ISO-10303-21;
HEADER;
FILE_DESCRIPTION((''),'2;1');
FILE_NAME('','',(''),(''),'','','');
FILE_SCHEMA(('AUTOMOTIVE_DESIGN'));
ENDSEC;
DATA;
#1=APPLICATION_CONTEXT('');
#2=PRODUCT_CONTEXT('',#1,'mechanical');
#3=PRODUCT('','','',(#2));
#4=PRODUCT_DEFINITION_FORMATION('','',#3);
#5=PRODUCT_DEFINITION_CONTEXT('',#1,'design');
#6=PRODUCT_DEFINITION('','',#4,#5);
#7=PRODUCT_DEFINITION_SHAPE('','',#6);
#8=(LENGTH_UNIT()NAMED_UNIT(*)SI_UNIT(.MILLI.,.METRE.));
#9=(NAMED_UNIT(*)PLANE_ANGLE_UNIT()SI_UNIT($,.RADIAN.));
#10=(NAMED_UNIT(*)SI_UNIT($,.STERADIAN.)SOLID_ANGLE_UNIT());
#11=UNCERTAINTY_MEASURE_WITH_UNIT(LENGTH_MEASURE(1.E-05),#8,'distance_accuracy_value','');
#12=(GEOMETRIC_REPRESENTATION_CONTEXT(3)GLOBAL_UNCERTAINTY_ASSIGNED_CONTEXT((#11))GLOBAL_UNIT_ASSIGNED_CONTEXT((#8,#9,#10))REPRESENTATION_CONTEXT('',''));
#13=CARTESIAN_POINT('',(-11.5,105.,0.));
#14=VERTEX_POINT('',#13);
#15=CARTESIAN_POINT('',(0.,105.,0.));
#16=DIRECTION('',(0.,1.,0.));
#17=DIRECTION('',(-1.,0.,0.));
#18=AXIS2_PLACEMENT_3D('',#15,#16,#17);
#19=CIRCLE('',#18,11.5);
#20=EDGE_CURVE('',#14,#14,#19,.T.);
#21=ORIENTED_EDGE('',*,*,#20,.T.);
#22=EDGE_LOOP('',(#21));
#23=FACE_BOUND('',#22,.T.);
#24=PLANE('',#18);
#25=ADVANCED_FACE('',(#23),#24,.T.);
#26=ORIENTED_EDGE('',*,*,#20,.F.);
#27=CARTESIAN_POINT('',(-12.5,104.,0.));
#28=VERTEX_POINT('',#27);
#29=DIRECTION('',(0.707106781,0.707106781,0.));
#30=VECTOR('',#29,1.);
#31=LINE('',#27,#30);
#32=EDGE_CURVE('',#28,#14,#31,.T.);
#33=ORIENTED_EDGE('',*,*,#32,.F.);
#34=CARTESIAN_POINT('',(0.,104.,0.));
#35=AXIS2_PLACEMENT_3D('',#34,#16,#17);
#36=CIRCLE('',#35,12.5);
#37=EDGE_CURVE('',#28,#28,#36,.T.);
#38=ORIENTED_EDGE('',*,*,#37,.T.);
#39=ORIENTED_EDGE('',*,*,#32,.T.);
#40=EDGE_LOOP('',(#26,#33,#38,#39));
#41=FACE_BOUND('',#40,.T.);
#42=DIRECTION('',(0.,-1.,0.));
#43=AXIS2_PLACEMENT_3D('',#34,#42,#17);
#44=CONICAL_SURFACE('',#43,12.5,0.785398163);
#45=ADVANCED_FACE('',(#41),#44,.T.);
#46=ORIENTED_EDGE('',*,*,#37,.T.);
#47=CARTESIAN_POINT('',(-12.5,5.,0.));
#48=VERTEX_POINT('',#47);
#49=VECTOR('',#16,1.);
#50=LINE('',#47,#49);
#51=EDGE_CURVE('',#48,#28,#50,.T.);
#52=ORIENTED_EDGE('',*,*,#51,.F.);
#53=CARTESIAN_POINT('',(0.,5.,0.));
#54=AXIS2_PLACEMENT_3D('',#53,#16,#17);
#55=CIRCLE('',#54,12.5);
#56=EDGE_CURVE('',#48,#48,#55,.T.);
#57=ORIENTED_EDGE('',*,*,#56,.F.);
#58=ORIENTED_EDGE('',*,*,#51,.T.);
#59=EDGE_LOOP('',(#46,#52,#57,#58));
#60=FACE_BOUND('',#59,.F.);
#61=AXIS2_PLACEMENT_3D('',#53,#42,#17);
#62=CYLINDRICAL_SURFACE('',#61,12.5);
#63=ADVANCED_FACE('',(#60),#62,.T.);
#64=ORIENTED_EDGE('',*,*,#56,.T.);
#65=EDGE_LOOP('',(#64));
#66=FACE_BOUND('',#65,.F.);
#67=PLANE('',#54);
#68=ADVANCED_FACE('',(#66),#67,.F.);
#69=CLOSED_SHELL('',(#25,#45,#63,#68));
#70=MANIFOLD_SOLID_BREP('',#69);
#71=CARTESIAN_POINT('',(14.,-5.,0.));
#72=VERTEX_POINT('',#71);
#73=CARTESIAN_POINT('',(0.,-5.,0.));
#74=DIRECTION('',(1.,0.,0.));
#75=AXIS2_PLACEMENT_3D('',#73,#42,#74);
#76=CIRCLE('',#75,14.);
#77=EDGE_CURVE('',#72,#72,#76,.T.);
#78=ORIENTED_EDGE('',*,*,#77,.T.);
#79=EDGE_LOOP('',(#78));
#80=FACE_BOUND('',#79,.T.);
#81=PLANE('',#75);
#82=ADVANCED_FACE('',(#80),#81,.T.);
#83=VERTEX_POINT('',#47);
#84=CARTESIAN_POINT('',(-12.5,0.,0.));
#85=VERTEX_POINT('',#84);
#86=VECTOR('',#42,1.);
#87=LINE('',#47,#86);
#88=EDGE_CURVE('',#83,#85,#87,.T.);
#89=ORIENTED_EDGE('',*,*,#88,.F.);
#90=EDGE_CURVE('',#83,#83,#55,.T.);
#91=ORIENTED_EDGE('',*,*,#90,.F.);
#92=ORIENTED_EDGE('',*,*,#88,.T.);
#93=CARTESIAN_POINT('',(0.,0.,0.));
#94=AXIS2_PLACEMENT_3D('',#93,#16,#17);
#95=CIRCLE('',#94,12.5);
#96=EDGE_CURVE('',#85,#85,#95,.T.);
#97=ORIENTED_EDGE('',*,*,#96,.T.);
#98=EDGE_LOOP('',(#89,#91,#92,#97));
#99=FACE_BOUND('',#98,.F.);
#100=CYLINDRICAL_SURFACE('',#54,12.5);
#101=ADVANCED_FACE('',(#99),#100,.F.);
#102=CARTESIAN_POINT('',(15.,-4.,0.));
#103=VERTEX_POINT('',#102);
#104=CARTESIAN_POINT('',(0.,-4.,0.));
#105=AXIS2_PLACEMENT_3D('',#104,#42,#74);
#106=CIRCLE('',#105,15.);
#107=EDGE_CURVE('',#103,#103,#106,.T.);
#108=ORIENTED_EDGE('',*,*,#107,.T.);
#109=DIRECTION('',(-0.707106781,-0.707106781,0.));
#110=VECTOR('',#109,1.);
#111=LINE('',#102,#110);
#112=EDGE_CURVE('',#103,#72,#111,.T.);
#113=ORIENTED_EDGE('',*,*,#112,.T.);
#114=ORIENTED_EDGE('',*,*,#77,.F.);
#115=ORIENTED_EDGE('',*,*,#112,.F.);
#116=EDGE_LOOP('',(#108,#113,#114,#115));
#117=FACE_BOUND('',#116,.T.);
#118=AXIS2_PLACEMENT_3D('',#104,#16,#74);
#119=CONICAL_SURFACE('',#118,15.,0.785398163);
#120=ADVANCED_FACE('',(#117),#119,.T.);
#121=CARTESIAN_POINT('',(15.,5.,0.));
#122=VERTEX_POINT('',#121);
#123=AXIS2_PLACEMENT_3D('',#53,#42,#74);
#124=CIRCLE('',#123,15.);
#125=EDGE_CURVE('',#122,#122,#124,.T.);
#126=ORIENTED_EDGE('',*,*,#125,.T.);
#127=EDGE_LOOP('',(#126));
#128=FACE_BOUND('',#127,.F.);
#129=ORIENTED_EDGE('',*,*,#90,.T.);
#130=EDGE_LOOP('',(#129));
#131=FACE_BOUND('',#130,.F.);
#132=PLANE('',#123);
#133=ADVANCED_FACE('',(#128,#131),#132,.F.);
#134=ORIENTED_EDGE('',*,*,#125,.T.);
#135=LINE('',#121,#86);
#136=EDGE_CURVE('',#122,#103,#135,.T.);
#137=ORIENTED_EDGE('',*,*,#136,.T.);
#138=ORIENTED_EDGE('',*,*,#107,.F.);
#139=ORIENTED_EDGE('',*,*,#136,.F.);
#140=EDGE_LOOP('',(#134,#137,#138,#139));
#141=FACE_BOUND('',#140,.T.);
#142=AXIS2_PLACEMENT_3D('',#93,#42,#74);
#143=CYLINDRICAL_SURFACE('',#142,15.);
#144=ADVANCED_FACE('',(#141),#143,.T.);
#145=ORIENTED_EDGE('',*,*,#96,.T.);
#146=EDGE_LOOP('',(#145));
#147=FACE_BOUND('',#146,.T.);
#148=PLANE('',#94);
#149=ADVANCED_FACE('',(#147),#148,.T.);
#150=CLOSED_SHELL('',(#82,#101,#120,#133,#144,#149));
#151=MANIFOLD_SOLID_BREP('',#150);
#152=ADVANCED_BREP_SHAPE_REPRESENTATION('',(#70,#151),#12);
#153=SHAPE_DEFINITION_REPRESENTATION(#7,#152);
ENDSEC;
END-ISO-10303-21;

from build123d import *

# Parameters (mm, degrees)
F0_R     = 15
F1_DEPTH = 5
F2_SIZE  = 1
F3_R     = 12.5
F4_DEPTH = 5
F5_DEPTH = 100
F6_SIZE  = 1


with BuildPart() as f1:
    # F0 (on Front) → F1 (new body, symmetric)
    with BuildSketch(Plane.XZ):
        Circle(F0_R)
    extrude(amount=F1_DEPTH, both=True)

    # F2
    f2_edges = [f1.edges().sort_by_distance(p)[0] for p in [
        (-15, -5, 0),
    ]]
    chamfer(f2_edges, length=F2_SIZE)

    # F3 (on face) → F4 (cut)
    with BuildSketch(Plane(origin=(0, 5, 0), x_dir=(-1, 0, 0), z_dir=(0, 1, 0))):
        Circle(F3_R)
    extrude(amount=-F4_DEPTH, mode=Mode.SUBTRACT)


with BuildPart() as f5:
    # F3 (on face) → F5 (new body)
    with BuildSketch(Plane(origin=(0, 5, 0), x_dir=(-1, 0, 0), z_dir=(0, 1, 0))):
        Circle(F3_R)
    extrude(amount=F5_DEPTH)

    # F6
    f6_edges = [f5.edges().sort_by_distance(p)[0] for p in [
        (12.5, 105, 0),
    ]]
    chamfer(f6_edges, length=F6_SIZE)


solid = Compound([f1.part, f5.part])
